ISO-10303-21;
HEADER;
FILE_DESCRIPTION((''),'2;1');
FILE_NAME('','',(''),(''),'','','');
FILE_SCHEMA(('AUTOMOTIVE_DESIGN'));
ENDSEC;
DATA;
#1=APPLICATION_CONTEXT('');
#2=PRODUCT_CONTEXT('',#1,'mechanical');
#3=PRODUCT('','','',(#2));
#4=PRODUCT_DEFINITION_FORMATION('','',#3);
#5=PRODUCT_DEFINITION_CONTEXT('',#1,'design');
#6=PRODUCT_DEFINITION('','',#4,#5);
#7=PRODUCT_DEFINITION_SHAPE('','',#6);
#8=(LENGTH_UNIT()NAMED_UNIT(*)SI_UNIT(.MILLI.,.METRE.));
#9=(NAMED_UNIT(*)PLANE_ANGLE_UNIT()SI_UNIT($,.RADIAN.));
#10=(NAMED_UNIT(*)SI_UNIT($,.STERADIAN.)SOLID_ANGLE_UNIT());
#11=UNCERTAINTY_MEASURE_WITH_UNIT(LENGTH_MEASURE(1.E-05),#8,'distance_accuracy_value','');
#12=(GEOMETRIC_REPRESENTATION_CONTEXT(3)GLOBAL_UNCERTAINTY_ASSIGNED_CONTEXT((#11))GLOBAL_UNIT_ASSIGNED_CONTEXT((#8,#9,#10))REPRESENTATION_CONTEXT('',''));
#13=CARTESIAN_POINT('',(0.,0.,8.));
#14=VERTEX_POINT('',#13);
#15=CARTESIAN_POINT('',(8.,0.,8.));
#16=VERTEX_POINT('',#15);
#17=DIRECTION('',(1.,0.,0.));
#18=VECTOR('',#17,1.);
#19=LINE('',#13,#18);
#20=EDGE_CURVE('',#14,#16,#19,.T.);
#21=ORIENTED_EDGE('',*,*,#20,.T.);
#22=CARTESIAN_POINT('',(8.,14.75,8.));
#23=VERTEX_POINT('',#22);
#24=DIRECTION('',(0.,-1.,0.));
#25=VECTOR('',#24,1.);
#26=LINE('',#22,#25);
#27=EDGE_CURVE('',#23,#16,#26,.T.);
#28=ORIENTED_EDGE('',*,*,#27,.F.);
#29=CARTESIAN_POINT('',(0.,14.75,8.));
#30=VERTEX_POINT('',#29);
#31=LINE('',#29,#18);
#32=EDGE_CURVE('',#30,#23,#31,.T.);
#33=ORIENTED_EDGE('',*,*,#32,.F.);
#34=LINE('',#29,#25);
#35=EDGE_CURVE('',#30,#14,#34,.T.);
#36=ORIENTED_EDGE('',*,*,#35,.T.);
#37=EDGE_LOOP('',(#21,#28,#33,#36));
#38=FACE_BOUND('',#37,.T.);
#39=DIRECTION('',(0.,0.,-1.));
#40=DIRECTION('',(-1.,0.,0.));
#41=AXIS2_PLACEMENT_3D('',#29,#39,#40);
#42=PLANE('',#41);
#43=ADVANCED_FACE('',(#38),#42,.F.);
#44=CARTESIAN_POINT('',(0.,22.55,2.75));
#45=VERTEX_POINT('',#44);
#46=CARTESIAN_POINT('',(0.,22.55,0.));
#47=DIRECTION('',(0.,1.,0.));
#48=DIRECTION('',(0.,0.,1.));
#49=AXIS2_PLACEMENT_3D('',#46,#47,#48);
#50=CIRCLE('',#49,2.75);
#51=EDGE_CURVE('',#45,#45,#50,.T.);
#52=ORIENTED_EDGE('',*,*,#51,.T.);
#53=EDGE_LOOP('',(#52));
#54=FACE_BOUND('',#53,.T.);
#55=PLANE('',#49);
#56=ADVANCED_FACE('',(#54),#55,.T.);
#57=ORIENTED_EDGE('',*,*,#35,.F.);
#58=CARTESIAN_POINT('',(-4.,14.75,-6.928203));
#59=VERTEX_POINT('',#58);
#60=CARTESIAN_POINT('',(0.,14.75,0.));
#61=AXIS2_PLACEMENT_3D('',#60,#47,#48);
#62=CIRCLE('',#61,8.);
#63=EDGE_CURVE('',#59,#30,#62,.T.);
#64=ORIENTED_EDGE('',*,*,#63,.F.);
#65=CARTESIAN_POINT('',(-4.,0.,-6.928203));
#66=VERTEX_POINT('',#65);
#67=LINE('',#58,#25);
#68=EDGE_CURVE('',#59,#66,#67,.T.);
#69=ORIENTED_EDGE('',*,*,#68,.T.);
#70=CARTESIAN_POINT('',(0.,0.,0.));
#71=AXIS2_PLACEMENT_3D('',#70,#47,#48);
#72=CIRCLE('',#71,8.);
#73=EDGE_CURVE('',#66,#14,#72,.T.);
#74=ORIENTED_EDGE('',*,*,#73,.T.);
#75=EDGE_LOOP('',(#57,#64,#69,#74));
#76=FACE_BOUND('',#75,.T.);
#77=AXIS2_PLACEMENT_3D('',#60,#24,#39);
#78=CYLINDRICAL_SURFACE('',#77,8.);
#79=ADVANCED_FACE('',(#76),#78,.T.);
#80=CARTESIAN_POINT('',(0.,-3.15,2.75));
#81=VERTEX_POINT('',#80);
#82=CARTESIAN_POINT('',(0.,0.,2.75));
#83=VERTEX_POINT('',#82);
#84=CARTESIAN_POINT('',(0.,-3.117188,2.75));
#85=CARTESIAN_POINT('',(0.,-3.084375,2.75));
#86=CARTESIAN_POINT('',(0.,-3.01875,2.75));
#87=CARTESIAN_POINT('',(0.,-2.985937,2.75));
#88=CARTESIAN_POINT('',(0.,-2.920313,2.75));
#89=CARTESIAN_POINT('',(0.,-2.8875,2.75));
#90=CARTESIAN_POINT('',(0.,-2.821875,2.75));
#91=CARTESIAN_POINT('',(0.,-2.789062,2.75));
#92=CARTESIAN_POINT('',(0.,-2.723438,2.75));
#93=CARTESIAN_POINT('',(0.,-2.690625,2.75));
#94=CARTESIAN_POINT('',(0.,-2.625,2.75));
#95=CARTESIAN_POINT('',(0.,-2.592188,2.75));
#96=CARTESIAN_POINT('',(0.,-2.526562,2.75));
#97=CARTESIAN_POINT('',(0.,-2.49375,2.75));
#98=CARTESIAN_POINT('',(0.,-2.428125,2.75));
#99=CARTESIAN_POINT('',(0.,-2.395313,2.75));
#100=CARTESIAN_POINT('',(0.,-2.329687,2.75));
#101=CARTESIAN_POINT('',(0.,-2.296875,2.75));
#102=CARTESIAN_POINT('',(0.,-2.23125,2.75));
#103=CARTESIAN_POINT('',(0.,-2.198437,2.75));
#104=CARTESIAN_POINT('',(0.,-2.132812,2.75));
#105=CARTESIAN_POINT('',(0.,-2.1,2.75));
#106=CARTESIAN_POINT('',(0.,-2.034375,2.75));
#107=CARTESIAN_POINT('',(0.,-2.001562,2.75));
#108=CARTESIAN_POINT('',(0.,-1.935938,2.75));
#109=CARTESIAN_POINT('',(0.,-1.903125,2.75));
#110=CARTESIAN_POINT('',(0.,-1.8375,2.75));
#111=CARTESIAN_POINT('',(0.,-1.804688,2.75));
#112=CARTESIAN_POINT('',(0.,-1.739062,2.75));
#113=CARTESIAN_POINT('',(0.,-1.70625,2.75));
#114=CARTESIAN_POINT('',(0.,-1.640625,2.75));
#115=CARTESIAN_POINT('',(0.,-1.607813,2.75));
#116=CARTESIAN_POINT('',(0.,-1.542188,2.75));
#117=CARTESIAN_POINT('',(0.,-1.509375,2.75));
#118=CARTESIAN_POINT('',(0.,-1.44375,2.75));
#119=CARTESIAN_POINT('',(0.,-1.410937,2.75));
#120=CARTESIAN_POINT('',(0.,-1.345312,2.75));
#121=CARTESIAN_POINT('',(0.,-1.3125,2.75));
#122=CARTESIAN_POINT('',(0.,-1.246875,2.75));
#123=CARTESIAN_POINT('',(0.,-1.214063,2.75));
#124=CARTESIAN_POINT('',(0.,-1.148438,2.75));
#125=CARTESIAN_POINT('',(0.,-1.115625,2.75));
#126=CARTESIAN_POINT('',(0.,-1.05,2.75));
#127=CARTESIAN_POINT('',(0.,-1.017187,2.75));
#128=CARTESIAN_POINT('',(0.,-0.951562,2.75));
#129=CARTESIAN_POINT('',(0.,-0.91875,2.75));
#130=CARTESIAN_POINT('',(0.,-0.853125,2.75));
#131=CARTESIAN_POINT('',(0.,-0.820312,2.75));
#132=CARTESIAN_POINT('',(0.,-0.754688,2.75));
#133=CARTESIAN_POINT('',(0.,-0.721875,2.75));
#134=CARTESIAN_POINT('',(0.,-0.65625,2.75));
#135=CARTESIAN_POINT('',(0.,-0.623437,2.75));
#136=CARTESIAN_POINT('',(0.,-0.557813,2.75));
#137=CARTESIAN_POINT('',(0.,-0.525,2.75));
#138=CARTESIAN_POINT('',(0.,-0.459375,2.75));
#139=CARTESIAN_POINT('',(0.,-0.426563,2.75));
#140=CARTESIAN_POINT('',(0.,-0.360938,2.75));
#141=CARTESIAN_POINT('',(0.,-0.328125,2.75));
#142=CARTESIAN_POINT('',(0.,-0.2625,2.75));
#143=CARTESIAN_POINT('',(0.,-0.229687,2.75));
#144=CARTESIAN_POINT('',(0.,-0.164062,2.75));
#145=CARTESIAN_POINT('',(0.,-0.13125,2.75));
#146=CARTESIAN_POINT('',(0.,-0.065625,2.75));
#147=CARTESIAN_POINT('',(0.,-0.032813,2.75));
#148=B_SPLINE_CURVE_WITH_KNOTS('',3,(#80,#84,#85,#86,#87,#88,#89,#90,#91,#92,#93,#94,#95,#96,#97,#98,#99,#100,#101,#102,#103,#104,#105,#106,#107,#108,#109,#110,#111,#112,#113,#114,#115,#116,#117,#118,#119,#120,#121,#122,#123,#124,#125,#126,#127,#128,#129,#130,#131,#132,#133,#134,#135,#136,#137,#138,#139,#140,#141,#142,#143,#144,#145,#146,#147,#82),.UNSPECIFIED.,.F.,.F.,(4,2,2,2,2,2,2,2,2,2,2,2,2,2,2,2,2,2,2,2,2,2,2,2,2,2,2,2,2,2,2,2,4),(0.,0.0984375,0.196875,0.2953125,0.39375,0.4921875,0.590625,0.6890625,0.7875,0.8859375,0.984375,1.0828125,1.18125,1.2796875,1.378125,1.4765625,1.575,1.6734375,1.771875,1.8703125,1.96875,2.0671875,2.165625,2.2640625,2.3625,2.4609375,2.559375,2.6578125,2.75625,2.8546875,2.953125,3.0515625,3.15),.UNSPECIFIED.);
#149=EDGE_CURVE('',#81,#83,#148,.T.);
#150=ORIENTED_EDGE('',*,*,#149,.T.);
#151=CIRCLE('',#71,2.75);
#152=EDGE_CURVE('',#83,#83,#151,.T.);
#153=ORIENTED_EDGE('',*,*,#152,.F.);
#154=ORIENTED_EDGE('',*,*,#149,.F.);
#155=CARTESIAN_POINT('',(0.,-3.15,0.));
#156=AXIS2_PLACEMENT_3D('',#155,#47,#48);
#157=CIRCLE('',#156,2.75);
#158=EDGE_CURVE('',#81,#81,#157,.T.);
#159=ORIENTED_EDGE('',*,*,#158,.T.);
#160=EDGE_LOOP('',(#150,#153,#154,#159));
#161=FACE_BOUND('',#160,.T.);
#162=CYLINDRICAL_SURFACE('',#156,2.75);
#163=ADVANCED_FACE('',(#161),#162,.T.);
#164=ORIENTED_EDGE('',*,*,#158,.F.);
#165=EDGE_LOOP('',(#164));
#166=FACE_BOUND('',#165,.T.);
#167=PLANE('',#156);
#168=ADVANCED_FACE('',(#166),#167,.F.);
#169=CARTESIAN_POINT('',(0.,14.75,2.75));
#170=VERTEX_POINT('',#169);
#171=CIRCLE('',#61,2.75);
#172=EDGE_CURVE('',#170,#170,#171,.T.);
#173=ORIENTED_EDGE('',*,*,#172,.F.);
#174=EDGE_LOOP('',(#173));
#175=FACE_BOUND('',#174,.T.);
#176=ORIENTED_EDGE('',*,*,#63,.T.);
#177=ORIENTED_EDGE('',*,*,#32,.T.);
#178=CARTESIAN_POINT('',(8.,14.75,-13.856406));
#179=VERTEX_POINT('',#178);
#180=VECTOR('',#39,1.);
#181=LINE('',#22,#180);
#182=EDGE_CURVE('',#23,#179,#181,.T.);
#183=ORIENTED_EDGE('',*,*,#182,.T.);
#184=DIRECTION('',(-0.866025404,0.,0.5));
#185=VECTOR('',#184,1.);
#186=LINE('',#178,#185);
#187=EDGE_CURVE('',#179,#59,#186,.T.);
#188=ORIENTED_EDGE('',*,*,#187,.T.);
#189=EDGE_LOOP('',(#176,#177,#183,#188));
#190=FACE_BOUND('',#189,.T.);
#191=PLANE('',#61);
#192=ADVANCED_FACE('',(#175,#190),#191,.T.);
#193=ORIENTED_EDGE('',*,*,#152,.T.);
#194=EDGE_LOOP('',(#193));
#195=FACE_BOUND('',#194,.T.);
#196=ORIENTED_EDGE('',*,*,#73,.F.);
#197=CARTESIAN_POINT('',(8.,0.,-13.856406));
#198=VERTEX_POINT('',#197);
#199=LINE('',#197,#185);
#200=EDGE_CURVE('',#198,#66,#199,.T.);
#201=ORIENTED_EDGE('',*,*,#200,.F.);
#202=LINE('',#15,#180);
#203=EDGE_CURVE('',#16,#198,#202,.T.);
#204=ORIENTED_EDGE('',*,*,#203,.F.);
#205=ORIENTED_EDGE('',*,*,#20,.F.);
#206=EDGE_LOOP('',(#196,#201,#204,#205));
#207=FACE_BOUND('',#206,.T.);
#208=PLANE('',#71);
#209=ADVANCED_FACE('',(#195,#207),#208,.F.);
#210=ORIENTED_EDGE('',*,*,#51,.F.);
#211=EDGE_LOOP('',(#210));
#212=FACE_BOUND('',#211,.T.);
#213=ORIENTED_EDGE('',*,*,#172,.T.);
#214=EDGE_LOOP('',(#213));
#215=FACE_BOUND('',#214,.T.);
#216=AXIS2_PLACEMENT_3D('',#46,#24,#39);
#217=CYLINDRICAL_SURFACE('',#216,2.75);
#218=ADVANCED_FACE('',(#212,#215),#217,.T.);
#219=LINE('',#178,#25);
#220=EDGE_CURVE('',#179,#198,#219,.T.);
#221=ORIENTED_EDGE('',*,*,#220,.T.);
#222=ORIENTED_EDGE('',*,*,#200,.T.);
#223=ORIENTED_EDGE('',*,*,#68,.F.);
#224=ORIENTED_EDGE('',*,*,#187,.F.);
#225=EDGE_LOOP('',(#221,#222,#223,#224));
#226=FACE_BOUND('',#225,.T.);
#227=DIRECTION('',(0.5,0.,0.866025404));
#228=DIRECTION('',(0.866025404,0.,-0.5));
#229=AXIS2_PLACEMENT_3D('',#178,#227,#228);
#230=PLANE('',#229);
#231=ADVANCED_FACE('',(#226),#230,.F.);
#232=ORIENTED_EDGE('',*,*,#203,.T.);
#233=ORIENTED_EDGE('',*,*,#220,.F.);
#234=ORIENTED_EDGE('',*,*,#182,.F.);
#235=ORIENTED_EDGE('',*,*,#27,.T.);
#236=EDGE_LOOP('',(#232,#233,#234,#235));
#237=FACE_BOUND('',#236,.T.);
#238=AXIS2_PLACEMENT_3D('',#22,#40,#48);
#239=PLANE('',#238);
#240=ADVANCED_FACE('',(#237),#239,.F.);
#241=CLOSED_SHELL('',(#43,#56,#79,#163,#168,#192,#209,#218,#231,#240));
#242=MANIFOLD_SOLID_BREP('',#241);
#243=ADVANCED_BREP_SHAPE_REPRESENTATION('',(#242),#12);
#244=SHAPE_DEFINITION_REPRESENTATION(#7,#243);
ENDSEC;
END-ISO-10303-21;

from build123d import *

# Parameters (mm, degrees)
BOSS_EXTRU_1_DEPTH = 14.75
ESQUISSE2_R        = 2.75
BOSS_EXTRU_6_DEPTH = 7.8
BOSS_EXTRU_7_START = -17.9
ESQUISSE2_4_R      = 2.75
BOSS_EXTRU_7_DEPTH = 17.9


with BuildPart() as part:
    # Esquisse1 → Boss.-Extru.1 (new body)
    with BuildSketch(Plane(origin=(0, 0, 0), x_dir=(1, 0, 0), z_dir=(0, 1, 0))):
        with BuildLine():
            Line((0, -8), (8, -8))
            Line((8, -8), (8, 13.856406461))
            Line((8, 13.856406461), (-4, 6.92820323))
            ThreePointArc((-4, 6.92820323), (-7.72740661, -2.070552361), (0, -8))
        make_face()
    extrude(amount=BOSS_EXTRU_1_DEPTH)

    # Esquisse2 → Boss.-Extru.6 (add)
    with BuildSketch(Plane(origin=(0, 14.75, 0), x_dir=(1, 0, 0), z_dir=(0, 1, 0))):
        Circle(ESQUISSE2_R)
    extrude(amount=BOSS_EXTRU_6_DEPTH)

    # Esquisse2<4> → Boss.-Extru.7 (add)
    with BuildSketch(Plane(origin=(0, 14.75, 0), x_dir=(1, 0, 0), z_dir=(0, 1, 0)).offset(BOSS_EXTRU_7_START)):
        Circle(ESQUISSE2_4_R)
    extrude(amount=BOSS_EXTRU_7_DEPTH)


solid = part.part
